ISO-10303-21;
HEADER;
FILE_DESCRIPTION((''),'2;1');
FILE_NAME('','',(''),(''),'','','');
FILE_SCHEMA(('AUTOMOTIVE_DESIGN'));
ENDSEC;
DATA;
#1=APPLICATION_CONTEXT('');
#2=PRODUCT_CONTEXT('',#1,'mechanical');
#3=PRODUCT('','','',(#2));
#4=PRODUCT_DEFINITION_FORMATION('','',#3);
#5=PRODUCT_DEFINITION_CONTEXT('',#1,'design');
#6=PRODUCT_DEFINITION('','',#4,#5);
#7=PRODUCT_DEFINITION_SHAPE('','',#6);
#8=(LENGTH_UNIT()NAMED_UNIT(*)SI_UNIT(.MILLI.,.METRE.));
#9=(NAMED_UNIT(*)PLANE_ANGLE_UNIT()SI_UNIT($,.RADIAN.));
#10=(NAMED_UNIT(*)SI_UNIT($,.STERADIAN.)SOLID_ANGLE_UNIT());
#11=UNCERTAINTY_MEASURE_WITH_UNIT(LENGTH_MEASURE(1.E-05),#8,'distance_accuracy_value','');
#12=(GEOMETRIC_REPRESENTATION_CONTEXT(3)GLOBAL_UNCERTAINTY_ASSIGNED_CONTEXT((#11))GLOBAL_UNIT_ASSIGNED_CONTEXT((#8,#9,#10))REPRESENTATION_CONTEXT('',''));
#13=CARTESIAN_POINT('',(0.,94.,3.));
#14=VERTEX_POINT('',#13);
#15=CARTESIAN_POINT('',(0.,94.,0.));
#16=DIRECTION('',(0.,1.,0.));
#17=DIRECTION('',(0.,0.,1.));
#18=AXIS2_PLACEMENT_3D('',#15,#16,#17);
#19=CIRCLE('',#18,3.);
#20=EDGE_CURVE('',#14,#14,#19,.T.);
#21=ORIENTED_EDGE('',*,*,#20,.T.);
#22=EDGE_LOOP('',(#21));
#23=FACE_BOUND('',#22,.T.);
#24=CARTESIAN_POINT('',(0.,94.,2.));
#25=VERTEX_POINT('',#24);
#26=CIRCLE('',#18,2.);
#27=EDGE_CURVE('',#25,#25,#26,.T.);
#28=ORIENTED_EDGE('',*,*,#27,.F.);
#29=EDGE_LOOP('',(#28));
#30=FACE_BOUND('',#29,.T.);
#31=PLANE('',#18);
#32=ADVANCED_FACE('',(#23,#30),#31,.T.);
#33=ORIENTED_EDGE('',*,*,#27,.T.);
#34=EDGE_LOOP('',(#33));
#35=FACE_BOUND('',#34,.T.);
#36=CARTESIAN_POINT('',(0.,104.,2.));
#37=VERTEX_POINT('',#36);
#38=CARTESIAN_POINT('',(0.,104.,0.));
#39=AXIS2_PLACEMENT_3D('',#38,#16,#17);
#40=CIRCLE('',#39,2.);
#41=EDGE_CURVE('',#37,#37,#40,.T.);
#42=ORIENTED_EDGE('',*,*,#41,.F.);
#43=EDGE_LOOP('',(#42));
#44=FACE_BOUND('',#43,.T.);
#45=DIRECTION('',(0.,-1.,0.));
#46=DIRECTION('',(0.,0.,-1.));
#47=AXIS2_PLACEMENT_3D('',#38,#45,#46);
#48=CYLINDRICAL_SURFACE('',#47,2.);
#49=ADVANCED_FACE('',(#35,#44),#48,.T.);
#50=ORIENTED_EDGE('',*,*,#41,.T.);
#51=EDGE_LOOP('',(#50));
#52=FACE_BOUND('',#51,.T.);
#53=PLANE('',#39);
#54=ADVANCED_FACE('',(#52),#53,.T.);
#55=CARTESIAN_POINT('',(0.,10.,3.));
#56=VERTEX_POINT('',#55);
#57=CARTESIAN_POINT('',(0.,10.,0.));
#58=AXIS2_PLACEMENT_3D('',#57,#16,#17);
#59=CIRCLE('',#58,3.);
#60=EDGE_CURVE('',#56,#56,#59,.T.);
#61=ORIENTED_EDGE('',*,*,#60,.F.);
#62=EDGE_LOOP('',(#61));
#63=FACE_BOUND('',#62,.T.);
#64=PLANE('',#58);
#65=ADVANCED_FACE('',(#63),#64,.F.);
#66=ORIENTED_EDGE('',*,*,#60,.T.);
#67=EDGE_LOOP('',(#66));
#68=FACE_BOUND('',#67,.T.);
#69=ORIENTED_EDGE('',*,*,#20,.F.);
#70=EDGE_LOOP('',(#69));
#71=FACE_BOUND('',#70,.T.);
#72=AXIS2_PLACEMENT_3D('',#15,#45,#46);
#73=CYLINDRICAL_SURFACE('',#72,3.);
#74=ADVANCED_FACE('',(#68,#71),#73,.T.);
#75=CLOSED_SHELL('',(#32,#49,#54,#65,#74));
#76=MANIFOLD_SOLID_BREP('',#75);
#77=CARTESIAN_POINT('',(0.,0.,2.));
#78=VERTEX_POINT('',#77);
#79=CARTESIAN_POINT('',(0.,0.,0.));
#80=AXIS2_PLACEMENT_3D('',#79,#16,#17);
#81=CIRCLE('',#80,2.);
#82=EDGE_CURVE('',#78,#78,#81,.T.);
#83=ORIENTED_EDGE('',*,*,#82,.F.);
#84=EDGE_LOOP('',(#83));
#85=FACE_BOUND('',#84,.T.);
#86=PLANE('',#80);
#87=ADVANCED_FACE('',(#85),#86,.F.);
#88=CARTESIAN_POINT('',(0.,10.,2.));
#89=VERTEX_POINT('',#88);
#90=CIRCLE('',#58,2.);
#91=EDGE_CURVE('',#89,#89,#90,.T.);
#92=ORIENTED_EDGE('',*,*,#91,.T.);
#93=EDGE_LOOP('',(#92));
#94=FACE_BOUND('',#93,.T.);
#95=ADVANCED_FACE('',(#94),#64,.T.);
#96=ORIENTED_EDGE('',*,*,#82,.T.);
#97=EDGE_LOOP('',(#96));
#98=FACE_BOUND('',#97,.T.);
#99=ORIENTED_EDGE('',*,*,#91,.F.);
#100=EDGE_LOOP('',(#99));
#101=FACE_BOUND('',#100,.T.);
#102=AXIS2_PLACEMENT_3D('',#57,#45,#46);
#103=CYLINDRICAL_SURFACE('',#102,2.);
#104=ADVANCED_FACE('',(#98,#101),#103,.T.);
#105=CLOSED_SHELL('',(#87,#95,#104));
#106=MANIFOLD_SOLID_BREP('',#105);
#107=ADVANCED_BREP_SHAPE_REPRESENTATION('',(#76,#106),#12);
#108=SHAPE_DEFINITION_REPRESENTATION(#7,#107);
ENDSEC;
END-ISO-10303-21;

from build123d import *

# Parameters (mm, degrees)
SKETCH1_R           = 2
BOSS_EXTRUDE1_DEPTH = 10
SKETCH2_R           = 3
BOSS_EXTRUDE2_DEPTH = 84
SKETCH3_R           = 2
BOSS_EXTRUDE3_DEPTH = 10


with BuildPart() as part:
    # Sketch1 → Boss-Extrude1 (new body)
    with BuildSketch(Plane(origin=(0, 0, 0), x_dir=(1, 0, 0), z_dir=(0, 1, 0))):
        with Locations(Location((0, 0, 0), (0, 0, 270))):
            Circle(SKETCH1_R)
    extrude(amount=BOSS_EXTRUDE1_DEPTH)


with BuildPart() as body_2:
    # Sketch2 → Boss-Extrude2 (new body)
    with BuildSketch(Plane(origin=(0, 10, 0), x_dir=(1, 0, 0), z_dir=(0, 1, 0))):
        with Locations(Location((0, 0, 0), (0, 0, 90))):
            Circle(SKETCH2_R)
    extrude(amount=BOSS_EXTRUDE2_DEPTH)

    # Sketch3 → Boss-Extrude3 (add)
    with BuildSketch(Plane(origin=(0, 94, 0), x_dir=(1, 0, 0), z_dir=(0, 1, 0))):
        with Locations(Location((0, 0, 0), (0, 0, 270))):
            Circle(SKETCH3_R)
    extrude(amount=BOSS_EXTRUDE3_DEPTH)


solid = Compound([part.part, body_2.part])
